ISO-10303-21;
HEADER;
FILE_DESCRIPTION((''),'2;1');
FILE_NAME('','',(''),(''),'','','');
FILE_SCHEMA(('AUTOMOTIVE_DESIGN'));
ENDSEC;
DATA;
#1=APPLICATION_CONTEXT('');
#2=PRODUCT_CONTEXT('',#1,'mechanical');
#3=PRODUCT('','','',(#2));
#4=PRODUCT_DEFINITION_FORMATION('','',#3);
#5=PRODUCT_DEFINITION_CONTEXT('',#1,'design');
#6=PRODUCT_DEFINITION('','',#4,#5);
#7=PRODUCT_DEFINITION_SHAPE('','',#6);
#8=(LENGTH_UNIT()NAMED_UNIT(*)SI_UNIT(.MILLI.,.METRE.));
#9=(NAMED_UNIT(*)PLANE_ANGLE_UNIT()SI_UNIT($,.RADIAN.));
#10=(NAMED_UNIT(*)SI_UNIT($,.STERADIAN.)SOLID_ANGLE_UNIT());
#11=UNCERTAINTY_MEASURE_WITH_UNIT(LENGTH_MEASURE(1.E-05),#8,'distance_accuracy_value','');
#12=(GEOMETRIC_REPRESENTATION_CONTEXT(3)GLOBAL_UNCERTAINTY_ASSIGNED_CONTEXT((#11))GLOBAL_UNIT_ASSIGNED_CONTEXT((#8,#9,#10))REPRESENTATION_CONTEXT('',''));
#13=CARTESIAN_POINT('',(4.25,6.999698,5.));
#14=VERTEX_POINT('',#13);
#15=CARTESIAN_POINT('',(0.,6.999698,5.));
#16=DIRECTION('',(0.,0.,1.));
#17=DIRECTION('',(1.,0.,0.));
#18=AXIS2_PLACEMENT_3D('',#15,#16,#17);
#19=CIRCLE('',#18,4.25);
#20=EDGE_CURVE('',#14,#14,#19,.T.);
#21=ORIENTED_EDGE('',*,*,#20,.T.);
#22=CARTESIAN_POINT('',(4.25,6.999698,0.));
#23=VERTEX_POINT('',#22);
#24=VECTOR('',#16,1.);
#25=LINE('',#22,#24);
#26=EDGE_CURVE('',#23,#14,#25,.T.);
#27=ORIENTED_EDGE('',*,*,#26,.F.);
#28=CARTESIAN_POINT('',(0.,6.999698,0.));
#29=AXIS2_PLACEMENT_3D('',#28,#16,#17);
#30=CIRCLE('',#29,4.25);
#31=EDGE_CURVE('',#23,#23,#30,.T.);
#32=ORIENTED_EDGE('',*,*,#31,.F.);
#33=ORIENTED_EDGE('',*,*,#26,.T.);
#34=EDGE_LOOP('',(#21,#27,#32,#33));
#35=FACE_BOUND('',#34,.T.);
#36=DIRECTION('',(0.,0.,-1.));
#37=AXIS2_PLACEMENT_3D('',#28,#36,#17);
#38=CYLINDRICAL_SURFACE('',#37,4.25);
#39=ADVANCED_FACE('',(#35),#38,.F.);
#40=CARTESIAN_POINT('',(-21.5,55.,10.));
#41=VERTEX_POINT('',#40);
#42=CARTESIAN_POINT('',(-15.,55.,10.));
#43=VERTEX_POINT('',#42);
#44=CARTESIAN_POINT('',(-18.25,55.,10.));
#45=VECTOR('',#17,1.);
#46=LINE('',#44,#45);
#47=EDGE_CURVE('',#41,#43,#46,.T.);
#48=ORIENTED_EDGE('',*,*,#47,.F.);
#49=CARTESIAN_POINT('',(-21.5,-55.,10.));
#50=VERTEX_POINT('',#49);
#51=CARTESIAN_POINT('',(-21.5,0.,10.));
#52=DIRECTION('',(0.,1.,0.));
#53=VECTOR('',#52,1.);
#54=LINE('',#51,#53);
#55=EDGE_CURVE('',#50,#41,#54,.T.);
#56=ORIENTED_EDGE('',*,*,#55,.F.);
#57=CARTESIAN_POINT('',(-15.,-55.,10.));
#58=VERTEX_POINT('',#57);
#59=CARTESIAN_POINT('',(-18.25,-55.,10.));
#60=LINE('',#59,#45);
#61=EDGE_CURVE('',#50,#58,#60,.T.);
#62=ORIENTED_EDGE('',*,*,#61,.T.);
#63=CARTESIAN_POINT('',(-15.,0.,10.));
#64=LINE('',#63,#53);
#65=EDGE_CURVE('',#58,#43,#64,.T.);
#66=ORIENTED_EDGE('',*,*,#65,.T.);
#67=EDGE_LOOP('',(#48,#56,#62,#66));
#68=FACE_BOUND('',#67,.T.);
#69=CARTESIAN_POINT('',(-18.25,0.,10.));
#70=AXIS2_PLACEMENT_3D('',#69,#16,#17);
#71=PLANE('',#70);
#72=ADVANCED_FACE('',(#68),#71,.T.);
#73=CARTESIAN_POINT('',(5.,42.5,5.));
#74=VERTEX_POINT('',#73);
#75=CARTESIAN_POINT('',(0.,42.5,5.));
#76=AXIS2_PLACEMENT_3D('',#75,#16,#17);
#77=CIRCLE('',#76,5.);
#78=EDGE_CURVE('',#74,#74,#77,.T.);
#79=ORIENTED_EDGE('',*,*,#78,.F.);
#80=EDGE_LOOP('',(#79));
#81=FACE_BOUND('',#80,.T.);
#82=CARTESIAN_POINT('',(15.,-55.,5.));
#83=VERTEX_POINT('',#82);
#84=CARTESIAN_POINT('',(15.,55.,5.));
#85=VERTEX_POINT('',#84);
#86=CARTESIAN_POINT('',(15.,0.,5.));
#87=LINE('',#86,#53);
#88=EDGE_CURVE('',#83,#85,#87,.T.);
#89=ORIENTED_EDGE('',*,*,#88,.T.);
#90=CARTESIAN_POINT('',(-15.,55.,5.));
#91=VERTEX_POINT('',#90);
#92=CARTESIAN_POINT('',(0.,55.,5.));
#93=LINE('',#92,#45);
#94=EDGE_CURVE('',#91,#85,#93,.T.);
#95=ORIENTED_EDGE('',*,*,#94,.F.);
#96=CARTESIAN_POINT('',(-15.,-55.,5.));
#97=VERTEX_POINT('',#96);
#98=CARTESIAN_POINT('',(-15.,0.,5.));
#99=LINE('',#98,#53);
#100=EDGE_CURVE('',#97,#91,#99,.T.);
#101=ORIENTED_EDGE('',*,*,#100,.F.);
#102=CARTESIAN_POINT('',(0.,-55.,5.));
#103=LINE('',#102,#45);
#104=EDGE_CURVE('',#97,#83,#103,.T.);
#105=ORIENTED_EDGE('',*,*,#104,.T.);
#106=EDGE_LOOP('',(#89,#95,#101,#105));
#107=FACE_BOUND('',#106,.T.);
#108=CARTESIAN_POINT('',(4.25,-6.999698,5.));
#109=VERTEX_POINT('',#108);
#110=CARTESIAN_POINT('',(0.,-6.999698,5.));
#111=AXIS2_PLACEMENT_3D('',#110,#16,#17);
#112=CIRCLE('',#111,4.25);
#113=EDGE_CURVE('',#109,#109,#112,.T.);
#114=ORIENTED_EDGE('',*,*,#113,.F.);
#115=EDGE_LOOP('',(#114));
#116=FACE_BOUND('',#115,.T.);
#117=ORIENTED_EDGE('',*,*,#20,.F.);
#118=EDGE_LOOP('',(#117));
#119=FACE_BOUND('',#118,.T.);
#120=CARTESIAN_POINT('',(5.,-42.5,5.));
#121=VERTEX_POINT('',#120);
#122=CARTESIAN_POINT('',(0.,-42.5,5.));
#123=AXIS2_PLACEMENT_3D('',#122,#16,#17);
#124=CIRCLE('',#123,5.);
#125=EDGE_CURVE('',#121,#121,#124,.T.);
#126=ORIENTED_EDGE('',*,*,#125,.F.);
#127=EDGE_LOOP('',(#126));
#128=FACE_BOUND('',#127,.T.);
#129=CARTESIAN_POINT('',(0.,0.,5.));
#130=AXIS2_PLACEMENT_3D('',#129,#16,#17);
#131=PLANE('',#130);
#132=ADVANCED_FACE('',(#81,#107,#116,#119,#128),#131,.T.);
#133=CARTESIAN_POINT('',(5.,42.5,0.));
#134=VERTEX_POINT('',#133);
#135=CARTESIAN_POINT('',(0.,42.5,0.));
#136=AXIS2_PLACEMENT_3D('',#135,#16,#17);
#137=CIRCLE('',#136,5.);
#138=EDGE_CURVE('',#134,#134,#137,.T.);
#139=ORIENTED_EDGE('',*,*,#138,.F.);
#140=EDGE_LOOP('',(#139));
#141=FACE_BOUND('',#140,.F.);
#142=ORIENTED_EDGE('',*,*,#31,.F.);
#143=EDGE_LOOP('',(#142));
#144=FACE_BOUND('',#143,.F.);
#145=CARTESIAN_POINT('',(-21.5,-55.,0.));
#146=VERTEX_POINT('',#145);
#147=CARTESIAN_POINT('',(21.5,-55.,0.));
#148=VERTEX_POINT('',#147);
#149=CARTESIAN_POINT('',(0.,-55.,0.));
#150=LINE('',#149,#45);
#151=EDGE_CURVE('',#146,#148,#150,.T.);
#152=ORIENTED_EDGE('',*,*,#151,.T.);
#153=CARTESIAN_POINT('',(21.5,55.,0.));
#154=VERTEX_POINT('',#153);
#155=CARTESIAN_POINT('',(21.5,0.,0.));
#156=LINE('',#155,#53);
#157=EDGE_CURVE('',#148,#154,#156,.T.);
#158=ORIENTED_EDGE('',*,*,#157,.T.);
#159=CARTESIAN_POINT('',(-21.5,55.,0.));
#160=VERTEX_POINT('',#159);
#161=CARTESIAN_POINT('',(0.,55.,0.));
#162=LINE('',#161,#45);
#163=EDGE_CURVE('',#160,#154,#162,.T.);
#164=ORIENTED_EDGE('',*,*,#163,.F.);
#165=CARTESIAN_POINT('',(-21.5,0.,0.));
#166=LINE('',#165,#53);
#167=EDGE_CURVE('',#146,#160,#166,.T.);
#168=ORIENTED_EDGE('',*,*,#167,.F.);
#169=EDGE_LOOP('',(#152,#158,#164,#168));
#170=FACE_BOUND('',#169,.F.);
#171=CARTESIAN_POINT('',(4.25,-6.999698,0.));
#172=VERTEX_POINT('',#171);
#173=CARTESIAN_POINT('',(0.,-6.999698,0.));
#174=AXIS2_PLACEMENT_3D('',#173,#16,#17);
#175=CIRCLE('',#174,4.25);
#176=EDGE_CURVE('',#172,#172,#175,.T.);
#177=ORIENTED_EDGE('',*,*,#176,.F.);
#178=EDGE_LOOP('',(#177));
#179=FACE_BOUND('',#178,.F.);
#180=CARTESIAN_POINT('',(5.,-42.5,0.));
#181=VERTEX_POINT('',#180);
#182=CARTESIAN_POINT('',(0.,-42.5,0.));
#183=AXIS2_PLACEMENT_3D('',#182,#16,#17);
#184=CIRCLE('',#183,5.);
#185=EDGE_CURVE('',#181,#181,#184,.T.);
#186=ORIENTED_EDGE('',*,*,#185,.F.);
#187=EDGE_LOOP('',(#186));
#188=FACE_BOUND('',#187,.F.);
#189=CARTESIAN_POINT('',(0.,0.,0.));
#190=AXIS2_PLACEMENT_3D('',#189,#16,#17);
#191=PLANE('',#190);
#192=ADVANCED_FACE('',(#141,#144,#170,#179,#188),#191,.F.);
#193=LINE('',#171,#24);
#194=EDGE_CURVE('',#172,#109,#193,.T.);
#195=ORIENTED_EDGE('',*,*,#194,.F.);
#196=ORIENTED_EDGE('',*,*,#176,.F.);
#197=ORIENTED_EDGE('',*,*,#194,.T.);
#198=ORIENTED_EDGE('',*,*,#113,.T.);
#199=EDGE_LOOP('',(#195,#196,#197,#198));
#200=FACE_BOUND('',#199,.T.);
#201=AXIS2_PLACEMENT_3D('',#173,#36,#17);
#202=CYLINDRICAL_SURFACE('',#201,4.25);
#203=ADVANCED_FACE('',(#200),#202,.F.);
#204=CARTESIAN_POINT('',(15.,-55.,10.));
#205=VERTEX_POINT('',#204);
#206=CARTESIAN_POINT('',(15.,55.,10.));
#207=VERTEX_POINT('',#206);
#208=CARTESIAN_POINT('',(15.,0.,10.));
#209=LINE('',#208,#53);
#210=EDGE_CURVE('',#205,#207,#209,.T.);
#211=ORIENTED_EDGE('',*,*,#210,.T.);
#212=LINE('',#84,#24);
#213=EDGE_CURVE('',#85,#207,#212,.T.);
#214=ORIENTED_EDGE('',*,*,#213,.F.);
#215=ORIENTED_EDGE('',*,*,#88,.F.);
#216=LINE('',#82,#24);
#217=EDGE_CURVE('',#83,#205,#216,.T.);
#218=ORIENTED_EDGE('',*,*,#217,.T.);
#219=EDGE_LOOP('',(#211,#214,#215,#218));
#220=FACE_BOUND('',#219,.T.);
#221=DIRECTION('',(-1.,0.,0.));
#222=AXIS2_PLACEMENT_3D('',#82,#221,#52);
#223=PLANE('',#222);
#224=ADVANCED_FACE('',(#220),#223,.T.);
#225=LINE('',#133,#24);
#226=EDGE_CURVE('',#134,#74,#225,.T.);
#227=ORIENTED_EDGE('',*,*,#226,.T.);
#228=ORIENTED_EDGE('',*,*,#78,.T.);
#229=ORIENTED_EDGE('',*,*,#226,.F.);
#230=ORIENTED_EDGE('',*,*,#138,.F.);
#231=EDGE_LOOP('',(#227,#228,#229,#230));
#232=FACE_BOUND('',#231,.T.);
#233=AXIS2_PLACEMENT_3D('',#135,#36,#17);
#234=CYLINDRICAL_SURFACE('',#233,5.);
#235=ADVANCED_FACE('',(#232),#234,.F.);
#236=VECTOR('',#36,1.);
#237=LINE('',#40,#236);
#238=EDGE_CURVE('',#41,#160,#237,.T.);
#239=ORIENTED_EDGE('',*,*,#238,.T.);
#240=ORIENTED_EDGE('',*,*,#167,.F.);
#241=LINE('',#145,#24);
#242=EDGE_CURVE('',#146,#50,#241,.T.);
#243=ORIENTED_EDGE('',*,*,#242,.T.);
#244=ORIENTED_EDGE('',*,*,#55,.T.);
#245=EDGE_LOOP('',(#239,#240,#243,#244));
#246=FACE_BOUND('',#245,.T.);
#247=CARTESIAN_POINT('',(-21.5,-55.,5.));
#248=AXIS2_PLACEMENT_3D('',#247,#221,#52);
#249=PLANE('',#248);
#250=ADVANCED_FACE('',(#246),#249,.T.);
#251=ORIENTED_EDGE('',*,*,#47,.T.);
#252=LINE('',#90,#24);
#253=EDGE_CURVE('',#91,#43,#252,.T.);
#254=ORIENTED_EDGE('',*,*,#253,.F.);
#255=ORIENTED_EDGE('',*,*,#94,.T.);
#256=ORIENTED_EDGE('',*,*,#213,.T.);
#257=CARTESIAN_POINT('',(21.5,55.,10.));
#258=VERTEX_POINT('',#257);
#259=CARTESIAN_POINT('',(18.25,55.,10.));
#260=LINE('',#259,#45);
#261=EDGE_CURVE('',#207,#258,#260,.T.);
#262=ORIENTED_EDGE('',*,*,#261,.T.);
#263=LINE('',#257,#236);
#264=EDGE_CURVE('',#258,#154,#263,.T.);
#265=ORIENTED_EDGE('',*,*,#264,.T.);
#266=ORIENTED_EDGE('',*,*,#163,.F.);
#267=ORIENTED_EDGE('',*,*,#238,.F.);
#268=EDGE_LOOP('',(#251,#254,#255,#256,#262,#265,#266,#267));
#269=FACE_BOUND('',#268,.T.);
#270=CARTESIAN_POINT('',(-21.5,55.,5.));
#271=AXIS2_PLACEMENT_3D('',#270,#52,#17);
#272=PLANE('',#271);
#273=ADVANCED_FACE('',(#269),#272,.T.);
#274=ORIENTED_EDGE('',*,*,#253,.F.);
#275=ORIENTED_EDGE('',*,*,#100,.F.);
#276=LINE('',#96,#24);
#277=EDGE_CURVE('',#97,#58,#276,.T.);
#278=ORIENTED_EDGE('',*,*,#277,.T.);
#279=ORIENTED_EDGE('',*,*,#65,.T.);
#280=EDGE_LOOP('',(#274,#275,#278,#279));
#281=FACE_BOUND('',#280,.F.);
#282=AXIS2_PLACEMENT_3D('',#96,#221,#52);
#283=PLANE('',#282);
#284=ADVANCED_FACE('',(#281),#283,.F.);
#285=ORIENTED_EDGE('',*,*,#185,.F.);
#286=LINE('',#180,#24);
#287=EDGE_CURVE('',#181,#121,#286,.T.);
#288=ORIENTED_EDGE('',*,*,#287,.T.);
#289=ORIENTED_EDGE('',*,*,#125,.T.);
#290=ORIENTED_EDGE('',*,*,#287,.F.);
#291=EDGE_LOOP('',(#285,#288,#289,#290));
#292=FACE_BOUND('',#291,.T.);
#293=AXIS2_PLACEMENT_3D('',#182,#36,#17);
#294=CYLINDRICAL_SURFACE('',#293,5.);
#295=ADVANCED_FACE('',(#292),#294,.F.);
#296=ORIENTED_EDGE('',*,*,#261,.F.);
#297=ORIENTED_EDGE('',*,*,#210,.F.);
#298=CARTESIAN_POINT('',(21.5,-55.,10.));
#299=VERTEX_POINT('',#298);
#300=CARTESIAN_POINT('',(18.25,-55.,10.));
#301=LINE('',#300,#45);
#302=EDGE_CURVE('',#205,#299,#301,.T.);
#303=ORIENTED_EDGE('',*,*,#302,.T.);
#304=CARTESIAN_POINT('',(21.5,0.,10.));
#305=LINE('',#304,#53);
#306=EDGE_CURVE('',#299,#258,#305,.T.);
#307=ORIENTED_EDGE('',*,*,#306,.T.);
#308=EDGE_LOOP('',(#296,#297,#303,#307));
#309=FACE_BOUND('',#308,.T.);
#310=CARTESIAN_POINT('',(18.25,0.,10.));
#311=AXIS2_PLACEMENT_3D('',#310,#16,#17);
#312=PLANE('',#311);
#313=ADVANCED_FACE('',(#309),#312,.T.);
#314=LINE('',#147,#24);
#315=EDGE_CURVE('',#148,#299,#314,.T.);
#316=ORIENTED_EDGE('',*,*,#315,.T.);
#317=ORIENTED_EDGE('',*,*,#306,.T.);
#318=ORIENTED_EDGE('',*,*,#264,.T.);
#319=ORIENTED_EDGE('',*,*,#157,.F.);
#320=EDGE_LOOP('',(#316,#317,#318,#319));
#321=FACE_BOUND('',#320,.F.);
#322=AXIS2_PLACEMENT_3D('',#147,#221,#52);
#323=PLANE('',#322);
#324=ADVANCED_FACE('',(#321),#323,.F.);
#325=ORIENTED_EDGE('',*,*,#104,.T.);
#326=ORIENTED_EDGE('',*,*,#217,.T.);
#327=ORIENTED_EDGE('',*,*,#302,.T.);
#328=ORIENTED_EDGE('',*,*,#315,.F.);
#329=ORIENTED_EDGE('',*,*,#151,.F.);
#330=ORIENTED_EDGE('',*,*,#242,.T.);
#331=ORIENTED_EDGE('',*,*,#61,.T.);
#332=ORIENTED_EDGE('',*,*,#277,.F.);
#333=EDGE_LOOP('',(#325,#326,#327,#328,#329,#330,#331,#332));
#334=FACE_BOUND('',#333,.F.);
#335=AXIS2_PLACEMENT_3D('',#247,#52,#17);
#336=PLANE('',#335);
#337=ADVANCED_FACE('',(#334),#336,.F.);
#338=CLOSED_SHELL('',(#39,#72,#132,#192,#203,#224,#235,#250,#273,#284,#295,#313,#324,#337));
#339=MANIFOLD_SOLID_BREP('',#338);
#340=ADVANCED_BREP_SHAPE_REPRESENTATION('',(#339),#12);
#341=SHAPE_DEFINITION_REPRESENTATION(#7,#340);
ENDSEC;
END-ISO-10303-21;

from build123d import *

# Parameters (mm, degrees)
F0_W     = 43
F0_H     = 110
F0_R     = 5
F0_R_2   = 4.25
F1_DEPTH = 5
F2_W     = 6.5
F2_H     = 110
F3_DEPTH = 5


with BuildPart() as f1:
    # F0 (on Top) → F1 (new body)
    with BuildSketch(Plane.XY):
        Rectangle(F0_W, F0_H)
        with Locations((0, -42.5)):
            Circle(F0_R, mode=Mode.SUBTRACT)
        with Locations((0, -6.999698)):
            Circle(F0_R_2, mode=Mode.SUBTRACT)
        with Locations((0, 6.999698)):
            Circle(F0_R_2, mode=Mode.SUBTRACT)
        with Locations((0, 42.5)):
            Circle(F0_R, mode=Mode.SUBTRACT)
    extrude(amount=F1_DEPTH)

    # F2 (on face) → F3 (join)
    with BuildSketch(Plane.XY.offset(5)):
        with Locations((-18.25, 0)):
            Rectangle(F2_W, F2_H)
        with Locations((18.25, 0)):
            Rectangle(F2_W, F2_H)
    extrude(amount=F3_DEPTH)


solid = f1.part
